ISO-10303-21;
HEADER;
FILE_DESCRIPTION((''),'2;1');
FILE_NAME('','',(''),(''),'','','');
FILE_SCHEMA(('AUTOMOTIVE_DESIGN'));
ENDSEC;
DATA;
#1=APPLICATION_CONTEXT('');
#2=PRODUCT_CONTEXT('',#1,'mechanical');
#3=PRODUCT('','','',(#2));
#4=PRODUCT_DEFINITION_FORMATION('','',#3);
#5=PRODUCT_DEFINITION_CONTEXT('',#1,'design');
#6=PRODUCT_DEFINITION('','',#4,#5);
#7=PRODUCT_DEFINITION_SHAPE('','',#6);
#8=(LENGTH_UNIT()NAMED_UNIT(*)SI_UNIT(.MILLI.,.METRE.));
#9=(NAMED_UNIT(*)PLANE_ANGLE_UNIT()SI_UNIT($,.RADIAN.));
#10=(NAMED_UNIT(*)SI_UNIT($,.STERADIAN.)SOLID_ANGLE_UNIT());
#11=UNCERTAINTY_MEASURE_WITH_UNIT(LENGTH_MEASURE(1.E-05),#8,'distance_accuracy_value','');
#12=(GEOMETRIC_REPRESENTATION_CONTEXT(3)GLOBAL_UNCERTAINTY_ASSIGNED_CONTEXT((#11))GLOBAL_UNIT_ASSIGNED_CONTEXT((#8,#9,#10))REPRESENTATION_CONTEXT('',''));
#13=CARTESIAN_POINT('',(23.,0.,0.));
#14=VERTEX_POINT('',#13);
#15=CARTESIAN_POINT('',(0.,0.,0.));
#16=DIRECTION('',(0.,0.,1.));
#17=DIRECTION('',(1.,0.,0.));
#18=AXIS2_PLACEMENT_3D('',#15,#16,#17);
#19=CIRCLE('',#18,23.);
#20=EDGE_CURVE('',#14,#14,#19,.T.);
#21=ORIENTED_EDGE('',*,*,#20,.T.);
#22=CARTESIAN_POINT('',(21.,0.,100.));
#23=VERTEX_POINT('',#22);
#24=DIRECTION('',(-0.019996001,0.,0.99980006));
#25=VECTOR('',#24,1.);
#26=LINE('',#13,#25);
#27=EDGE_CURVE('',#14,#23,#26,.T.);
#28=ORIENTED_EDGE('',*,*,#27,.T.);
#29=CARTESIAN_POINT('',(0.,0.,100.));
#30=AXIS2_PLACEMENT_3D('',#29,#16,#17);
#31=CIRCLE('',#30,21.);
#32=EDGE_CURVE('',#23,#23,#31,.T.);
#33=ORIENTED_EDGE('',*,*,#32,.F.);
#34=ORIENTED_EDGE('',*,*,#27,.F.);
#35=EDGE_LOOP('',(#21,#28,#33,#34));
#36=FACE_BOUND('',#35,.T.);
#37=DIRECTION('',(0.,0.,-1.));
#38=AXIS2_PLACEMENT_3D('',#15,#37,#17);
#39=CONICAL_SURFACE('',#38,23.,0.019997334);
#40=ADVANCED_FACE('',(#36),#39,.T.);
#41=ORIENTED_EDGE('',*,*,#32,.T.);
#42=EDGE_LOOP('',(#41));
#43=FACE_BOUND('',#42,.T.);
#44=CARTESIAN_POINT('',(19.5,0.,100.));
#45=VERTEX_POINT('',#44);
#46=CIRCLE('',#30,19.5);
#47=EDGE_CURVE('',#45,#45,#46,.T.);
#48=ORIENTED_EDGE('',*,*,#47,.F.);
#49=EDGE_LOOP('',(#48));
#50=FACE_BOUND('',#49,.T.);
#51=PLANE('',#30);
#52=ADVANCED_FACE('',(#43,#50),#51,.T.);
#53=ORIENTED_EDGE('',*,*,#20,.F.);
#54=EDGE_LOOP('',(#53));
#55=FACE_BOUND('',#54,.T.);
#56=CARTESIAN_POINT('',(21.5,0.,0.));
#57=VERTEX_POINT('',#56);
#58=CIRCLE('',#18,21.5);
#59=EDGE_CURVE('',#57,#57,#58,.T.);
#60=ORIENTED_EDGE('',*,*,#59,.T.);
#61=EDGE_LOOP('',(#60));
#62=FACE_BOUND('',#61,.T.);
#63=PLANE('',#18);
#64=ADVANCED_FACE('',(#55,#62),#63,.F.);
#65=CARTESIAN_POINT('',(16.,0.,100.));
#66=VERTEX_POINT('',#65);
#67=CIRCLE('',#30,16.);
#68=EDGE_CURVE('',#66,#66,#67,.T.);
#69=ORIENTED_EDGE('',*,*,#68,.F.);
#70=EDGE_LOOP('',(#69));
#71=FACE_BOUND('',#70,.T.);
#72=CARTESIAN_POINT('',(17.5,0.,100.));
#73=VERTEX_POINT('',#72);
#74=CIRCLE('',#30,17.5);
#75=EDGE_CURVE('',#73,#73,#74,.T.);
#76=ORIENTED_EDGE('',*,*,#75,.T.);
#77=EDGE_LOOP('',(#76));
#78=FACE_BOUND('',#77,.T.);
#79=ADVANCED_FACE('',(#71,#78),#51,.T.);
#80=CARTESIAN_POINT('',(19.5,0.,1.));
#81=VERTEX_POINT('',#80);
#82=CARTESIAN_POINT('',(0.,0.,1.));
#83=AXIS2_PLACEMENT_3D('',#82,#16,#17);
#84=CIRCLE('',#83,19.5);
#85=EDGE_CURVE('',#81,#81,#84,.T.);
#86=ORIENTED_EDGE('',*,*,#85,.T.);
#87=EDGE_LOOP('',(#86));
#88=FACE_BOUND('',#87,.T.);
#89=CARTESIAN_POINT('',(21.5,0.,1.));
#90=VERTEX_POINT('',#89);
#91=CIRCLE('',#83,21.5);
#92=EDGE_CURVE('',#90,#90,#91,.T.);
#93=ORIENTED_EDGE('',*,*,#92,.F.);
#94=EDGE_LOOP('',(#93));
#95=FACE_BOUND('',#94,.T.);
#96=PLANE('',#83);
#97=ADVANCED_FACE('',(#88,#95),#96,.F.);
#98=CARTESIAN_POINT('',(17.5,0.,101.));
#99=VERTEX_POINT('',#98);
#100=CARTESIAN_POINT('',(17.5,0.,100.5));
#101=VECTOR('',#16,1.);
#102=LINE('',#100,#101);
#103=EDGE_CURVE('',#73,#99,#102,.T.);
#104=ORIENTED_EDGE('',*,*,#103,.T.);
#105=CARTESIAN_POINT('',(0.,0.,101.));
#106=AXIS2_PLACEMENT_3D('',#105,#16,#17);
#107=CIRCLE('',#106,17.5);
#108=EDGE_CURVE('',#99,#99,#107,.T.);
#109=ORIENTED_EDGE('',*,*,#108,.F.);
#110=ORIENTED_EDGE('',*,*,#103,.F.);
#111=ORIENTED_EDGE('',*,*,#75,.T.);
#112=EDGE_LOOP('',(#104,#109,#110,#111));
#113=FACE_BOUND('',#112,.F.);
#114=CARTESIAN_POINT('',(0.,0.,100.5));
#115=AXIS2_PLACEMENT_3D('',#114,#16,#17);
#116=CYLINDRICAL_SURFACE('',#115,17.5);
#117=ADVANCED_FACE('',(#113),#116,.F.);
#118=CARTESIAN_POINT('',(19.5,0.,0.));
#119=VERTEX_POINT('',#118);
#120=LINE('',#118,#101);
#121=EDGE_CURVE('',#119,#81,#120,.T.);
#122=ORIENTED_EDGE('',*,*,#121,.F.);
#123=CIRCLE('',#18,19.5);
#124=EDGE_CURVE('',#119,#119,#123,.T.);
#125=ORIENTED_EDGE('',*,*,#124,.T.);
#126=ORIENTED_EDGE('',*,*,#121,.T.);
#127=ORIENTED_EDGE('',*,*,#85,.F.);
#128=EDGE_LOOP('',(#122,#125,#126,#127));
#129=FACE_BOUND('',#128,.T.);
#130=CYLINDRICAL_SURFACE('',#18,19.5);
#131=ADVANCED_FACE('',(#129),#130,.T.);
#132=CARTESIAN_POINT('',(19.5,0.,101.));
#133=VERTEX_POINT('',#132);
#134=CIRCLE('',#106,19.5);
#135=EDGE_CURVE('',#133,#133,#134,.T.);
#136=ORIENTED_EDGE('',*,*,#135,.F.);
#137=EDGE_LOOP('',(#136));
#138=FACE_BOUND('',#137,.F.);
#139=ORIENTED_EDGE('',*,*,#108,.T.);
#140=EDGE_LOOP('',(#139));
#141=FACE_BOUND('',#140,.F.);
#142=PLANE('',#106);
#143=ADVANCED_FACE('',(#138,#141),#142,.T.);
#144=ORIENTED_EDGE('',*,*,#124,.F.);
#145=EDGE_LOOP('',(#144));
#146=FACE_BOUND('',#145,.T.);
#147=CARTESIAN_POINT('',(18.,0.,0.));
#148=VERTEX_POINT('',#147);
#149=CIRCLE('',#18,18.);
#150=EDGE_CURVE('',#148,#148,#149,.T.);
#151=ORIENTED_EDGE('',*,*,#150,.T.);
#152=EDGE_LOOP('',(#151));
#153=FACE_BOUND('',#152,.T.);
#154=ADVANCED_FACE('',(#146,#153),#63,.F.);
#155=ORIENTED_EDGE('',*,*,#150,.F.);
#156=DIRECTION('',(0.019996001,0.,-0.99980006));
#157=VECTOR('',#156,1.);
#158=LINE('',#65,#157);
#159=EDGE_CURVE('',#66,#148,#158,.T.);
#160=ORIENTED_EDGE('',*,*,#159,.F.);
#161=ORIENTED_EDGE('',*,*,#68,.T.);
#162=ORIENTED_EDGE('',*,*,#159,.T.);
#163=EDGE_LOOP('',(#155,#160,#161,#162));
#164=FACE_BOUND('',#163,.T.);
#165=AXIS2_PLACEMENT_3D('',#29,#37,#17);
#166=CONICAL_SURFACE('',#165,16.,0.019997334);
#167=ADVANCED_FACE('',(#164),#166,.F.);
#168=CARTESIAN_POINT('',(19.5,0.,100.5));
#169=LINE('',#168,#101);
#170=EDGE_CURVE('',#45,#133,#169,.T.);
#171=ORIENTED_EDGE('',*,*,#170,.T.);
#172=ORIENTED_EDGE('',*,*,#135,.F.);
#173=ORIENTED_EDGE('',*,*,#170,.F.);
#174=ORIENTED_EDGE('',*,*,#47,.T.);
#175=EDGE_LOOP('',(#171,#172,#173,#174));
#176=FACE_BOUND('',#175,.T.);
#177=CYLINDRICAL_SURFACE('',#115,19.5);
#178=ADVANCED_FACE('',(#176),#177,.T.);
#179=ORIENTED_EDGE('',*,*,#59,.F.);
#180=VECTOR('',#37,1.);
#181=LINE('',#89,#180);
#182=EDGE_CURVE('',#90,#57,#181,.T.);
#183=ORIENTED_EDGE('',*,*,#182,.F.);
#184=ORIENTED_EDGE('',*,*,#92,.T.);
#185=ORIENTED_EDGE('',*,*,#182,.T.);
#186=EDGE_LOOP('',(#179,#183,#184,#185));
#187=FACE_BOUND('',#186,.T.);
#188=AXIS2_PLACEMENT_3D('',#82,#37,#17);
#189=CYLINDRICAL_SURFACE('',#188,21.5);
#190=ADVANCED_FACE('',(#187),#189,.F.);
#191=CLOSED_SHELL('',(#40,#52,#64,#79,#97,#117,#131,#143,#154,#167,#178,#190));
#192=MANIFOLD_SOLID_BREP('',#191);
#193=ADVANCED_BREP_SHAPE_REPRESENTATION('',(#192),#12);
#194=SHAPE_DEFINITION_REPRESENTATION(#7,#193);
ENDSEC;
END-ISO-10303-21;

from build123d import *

# Parameters (mm, degrees)
F0_W = 2
F0_H = 1


with BuildPart() as f1:
    # F0 (on Front) → F1 (revolve)
    with BuildSketch(Plane.XZ):
        Polygon((16, 100), (18, 0), (19.5, 0), (19.5, 1), (21.5, 1), (21.5, 0), (23, 0), (21, 100), (19.5, 100), (17.5, 100), align=None)
        with Locations((18.5, 100.5)):
            Rectangle(F0_W, F0_H)
    revolve(axis=Axis((0, 0, 83.813059), (0, 0, 1)))

    # F0 (on Front) → F2 (revolve, cut)
    with BuildSketch(Plane.XZ):
        with Locations((20.5, 0.5)):
            Rectangle(F0_W, F0_H)
    revolve(axis=Axis((0, 0, 83.813059), (0, 0, 1)), mode=Mode.SUBTRACT)


solid = f1.part
